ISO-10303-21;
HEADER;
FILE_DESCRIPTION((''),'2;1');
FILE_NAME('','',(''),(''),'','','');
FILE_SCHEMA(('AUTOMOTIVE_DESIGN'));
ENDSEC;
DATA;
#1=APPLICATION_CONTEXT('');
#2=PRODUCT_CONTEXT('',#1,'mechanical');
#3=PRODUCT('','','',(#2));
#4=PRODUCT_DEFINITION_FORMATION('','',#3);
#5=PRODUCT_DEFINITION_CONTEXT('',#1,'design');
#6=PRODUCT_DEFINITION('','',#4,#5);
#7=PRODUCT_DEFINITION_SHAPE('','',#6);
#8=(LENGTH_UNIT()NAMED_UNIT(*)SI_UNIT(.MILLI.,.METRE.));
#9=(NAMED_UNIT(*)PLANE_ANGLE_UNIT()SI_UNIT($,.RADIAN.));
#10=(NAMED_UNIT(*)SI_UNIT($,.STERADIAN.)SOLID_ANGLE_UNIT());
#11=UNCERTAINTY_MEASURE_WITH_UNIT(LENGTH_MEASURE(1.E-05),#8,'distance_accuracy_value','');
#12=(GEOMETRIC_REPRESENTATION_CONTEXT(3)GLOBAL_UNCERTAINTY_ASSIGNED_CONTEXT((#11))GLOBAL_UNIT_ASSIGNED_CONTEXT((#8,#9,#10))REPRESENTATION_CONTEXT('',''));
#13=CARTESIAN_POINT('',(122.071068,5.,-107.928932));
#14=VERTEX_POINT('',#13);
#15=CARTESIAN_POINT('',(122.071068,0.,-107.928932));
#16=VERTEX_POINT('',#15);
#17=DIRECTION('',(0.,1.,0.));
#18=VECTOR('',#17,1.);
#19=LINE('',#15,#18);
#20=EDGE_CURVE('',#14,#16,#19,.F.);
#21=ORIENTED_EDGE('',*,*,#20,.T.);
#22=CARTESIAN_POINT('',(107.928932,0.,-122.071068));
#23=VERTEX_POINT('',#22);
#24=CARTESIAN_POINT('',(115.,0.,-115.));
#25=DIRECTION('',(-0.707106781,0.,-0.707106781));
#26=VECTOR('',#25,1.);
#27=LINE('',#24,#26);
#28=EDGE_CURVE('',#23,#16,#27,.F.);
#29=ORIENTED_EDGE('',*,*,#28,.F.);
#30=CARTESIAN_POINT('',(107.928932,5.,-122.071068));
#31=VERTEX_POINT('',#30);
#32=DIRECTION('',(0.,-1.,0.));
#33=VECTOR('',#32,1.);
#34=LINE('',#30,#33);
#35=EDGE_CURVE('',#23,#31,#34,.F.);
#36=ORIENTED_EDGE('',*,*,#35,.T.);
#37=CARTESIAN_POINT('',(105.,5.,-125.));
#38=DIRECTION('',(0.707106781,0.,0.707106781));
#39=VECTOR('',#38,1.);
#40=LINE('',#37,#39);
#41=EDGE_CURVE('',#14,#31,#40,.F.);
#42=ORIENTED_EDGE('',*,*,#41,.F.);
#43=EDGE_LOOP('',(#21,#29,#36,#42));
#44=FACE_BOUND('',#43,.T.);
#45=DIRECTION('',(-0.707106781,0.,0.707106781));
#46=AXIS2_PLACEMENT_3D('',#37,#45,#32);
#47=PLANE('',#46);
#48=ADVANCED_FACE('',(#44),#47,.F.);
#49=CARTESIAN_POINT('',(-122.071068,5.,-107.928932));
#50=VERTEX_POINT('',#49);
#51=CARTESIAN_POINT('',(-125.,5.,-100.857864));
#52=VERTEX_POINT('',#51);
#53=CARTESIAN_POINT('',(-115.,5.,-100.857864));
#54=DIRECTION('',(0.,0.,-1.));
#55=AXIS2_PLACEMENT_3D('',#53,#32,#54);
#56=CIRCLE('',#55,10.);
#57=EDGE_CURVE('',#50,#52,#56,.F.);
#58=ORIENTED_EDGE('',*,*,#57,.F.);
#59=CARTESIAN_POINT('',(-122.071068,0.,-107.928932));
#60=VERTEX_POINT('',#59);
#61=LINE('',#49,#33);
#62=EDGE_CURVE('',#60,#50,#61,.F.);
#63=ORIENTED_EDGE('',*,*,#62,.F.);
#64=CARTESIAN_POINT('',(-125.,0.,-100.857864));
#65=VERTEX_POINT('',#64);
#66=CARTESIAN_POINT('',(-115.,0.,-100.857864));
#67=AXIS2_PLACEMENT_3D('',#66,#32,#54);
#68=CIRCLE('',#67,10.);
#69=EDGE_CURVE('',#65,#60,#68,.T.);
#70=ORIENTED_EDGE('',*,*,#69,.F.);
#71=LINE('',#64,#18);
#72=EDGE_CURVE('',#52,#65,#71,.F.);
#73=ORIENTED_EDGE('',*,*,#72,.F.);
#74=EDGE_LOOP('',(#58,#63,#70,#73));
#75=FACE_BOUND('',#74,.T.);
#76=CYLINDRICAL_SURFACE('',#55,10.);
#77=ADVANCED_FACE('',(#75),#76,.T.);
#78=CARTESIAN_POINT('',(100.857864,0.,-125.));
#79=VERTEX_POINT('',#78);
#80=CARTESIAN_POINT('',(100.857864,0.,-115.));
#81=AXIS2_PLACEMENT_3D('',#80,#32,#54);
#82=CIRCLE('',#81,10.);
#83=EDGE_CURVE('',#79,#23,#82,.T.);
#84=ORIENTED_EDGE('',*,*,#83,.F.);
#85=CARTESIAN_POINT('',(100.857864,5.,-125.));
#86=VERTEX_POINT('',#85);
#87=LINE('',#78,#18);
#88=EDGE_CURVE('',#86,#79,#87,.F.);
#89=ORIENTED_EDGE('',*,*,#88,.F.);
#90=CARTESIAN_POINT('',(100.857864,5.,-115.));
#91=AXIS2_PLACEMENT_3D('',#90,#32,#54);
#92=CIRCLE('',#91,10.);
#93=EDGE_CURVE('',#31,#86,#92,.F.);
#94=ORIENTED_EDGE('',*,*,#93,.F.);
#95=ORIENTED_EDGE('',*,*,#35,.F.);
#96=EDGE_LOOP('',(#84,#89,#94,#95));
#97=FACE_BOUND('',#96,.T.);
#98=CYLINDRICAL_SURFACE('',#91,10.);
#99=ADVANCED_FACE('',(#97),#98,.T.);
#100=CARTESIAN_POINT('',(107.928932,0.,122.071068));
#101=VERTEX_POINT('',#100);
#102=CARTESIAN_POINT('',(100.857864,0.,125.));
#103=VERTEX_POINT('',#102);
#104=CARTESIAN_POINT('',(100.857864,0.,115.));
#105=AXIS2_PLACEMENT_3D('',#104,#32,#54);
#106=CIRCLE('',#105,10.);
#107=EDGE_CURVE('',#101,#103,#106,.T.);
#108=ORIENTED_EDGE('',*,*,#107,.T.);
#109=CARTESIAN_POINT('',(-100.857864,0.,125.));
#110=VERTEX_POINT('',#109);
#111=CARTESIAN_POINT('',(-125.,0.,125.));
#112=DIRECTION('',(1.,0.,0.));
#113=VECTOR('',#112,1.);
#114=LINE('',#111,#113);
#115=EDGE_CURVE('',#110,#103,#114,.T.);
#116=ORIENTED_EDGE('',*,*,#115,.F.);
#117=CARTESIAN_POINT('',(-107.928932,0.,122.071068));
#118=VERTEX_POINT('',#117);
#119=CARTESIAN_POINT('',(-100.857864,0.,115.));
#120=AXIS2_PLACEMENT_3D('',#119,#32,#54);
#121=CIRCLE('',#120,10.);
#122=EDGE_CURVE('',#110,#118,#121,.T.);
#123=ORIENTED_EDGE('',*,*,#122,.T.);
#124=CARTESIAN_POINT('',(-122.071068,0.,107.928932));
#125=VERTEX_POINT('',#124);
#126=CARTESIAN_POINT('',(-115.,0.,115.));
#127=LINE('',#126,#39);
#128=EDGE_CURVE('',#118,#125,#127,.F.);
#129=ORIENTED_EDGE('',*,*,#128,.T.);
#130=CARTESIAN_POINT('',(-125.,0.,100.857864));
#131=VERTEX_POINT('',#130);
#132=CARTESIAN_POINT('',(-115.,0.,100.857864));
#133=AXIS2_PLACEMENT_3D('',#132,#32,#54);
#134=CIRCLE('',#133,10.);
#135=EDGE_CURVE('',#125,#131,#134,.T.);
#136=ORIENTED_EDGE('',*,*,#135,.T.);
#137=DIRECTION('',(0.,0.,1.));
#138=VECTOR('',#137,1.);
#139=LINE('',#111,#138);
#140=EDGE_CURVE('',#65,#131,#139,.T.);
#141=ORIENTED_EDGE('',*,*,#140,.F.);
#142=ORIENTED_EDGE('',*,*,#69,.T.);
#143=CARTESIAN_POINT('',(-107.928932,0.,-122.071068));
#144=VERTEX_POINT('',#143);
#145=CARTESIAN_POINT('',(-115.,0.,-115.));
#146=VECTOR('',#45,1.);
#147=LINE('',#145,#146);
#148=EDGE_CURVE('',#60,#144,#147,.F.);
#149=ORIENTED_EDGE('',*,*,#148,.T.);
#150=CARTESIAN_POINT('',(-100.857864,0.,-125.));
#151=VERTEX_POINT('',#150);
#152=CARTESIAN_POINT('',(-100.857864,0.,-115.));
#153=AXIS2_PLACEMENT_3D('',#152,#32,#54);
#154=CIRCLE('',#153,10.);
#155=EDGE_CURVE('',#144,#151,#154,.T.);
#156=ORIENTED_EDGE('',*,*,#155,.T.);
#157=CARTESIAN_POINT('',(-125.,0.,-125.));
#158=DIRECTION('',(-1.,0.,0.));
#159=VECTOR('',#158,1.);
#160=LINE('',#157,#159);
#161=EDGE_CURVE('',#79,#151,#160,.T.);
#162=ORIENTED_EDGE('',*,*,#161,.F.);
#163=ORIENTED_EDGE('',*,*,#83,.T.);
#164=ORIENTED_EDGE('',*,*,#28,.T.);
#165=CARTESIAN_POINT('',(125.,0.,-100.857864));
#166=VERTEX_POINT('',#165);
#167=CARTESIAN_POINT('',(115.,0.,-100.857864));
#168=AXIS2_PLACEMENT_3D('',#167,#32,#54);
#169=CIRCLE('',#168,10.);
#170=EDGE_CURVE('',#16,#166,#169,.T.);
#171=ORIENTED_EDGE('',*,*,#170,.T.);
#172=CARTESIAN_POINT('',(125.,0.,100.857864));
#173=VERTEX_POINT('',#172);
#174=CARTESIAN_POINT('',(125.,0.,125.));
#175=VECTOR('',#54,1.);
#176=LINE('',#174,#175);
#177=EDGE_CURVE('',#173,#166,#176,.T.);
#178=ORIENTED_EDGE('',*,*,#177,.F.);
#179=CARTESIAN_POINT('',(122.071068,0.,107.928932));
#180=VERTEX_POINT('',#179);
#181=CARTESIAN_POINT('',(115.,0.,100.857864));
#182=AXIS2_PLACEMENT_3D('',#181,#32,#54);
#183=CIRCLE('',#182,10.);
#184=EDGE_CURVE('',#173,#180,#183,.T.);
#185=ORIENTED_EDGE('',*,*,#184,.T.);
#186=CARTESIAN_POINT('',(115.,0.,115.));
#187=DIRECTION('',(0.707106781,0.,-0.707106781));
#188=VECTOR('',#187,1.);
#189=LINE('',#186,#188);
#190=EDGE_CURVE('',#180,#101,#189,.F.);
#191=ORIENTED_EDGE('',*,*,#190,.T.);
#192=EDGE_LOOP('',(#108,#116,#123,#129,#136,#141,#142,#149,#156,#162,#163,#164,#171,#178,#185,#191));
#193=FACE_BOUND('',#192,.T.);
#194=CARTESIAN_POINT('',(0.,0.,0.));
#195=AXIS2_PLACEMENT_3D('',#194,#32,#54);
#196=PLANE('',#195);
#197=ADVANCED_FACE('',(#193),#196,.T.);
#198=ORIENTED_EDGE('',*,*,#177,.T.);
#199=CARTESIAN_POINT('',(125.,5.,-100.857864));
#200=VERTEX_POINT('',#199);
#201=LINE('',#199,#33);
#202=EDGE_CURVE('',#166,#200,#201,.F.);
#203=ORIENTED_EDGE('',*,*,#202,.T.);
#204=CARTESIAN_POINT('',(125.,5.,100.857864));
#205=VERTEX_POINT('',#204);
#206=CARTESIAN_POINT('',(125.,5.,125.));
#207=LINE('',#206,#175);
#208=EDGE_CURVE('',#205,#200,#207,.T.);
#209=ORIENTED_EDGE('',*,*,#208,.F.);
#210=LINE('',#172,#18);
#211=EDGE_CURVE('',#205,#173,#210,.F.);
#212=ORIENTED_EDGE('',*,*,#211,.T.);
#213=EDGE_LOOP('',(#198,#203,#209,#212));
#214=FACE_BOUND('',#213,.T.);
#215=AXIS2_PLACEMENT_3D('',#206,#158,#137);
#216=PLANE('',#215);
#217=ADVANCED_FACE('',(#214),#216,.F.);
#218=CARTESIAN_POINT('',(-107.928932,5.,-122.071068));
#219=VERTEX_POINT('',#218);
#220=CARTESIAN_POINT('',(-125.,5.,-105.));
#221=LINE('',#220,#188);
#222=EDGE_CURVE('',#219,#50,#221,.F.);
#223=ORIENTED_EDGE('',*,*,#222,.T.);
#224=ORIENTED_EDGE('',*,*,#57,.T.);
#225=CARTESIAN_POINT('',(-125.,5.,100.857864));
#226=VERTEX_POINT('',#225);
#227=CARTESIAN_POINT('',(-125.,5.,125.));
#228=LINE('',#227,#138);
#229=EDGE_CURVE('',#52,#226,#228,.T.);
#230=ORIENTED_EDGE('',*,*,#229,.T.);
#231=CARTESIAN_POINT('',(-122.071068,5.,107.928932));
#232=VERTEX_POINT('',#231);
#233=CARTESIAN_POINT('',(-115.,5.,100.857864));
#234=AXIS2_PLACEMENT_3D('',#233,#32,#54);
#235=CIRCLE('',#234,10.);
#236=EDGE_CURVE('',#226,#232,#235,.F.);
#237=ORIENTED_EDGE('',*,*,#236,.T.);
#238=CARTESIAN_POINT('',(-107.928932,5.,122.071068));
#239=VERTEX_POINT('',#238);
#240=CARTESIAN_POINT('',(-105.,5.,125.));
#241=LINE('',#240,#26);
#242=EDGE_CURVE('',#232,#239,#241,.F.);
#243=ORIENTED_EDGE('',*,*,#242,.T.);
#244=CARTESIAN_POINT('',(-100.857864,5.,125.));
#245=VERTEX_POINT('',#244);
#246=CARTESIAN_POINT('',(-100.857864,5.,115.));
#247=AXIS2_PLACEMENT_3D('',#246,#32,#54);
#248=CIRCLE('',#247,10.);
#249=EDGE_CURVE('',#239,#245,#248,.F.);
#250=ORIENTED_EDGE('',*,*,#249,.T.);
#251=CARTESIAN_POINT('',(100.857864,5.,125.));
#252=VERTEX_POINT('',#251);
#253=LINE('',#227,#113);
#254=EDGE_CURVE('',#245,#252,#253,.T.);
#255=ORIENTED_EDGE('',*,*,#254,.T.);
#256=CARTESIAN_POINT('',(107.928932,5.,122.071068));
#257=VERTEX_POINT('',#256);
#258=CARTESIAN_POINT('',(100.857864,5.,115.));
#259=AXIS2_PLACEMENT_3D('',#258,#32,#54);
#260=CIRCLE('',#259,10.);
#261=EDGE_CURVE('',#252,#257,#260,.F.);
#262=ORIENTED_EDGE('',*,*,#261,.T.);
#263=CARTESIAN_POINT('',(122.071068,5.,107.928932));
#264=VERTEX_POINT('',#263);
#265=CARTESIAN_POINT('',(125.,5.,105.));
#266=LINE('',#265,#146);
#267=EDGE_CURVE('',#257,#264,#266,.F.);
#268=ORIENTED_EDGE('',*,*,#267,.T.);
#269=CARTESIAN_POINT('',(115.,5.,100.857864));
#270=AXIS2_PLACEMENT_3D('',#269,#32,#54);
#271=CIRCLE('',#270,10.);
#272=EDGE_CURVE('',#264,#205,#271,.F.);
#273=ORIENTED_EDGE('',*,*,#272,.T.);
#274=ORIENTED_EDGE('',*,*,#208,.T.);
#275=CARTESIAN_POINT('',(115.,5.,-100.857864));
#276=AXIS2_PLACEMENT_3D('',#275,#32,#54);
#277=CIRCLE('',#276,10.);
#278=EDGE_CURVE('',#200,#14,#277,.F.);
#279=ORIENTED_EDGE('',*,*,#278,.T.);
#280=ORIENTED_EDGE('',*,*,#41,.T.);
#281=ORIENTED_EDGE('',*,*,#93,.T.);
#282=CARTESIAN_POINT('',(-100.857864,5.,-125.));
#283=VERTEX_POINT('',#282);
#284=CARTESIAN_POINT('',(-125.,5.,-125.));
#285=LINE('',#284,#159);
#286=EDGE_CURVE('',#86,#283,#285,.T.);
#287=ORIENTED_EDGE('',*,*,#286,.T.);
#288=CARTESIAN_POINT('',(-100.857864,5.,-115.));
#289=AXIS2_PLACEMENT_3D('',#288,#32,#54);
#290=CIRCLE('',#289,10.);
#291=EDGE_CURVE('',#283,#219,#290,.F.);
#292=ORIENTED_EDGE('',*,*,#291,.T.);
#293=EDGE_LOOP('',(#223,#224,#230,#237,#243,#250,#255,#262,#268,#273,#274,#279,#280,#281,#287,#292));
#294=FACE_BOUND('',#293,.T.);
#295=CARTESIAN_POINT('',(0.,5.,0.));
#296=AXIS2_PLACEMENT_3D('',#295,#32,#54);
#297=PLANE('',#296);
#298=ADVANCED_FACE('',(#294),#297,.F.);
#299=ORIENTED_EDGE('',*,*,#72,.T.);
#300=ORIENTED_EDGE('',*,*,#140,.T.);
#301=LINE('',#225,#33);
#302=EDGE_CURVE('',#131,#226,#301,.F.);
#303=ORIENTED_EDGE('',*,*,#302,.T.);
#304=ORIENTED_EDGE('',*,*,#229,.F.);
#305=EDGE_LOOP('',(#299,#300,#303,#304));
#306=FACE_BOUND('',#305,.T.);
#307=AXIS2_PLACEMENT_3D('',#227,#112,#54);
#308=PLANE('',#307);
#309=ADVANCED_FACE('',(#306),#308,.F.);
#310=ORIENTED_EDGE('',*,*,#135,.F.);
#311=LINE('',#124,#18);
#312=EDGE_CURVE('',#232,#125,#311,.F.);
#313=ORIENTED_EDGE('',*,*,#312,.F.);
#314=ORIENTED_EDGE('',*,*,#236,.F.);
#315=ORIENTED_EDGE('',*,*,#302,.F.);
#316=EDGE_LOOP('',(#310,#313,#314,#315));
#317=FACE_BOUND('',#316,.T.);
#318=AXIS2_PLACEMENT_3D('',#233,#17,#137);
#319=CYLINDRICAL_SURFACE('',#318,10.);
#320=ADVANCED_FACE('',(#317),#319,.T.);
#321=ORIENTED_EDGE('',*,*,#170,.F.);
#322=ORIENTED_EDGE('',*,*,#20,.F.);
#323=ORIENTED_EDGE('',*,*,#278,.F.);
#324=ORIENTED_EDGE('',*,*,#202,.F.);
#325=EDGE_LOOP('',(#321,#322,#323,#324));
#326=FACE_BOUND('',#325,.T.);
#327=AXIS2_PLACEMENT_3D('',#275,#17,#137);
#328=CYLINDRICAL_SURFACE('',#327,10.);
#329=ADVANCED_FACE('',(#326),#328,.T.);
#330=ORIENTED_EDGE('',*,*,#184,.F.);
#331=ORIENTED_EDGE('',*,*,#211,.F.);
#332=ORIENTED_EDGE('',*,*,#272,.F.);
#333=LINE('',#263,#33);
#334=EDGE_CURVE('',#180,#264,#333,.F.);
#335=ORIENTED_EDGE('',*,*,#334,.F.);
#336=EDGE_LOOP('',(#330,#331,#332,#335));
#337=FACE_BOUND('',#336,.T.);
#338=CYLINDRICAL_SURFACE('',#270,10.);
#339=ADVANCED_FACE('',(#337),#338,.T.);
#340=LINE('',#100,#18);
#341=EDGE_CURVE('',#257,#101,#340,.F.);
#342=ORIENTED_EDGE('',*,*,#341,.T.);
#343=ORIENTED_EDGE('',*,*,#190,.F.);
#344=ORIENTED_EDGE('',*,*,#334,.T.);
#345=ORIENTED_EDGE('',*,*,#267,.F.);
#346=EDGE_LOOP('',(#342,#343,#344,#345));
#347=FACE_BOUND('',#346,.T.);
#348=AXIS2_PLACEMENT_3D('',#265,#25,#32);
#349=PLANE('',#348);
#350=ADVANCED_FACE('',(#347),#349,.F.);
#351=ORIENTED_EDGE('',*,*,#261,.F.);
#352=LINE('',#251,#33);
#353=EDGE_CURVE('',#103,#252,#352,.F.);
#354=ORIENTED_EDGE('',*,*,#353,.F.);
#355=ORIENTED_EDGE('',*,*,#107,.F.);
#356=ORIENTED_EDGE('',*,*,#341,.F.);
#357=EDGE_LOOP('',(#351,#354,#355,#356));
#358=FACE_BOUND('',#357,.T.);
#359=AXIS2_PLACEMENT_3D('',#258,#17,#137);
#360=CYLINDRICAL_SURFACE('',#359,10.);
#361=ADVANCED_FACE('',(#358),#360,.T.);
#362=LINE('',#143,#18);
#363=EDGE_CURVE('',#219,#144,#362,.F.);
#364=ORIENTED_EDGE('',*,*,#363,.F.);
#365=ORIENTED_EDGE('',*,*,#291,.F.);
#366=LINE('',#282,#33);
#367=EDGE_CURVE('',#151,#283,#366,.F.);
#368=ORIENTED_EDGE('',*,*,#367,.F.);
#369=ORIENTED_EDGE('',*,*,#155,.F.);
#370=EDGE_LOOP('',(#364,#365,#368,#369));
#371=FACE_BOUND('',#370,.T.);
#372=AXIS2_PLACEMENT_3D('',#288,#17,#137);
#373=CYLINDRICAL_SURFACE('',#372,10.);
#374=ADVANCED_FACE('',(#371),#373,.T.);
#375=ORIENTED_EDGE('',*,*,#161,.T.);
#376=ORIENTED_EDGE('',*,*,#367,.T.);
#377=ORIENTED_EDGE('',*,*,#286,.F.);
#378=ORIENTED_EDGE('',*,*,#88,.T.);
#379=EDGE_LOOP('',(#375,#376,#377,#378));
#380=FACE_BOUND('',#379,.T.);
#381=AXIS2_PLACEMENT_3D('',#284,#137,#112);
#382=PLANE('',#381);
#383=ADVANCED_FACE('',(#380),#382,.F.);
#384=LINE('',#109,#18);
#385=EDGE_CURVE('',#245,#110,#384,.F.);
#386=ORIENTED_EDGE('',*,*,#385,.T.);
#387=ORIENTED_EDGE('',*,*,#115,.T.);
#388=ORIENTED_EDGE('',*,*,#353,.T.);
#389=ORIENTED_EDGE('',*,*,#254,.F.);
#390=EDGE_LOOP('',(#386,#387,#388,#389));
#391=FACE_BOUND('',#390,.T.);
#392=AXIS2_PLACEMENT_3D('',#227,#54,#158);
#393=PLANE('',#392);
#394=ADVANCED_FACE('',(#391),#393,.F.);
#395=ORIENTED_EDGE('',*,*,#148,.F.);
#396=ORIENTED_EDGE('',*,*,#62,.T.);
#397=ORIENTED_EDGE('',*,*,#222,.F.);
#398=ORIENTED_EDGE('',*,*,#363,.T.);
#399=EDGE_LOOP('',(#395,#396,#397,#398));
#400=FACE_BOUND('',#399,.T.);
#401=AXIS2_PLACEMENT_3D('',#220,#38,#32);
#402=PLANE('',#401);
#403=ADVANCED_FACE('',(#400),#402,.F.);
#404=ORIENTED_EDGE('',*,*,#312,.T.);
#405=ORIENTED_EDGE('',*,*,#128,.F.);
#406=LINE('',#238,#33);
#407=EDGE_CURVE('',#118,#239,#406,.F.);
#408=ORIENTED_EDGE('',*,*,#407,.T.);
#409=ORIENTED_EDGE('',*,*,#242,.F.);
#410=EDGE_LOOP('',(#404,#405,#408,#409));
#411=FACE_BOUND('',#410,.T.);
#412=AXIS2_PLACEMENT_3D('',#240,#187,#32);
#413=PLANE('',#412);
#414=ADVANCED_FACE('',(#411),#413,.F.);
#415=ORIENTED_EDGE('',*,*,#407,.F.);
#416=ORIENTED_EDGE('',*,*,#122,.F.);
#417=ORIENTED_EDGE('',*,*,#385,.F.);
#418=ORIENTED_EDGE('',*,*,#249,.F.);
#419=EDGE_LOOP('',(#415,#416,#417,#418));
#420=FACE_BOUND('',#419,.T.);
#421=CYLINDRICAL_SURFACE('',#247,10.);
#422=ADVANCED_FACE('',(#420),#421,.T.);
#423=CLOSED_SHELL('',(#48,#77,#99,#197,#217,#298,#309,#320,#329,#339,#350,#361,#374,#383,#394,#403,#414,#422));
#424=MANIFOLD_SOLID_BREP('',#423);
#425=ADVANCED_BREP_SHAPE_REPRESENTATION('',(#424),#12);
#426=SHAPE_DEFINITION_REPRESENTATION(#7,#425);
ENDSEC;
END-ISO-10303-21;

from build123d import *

# Parameters (mm, degrees)
SKETCH1_W           = 250
SKETCH1_H           = 250
BOSS_EXTRUDE1_DEPTH = 5
CHAMFER1_SIZE       = 20
FILLET2_R           = 10


with BuildPart() as part:
    # Sketch1 → Boss-Extrude1 (new body)
    with BuildSketch(Plane(origin=(0, 0, 0), x_dir=(1, 0, 0), z_dir=(0, 1, 0))):
        Rectangle(SKETCH1_W, SKETCH1_H)
    extrude(amount=BOSS_EXTRUDE1_DEPTH)

    # Chamfer1
    chamfer1_edges = [part.edges().sort_by_distance(p)[0] for p in [
        (125, 2.5, 125),
        (-125, 2.5, 125),
        (-125, 2.5, -125),
        (125, 2.5, -125),
    ]]
    chamfer(chamfer1_edges, length=CHAMFER1_SIZE)

    # Fillet2
    fillet2_edges = [part.edges().sort_by_distance(p)[0] for p in [
        (-105, 2.5, -125),
        (105, 2.5, -125),
        (125, 2.5, 105),
        (125, 2.5, -105),
        (-105, 2.5, 125),
        (105, 2.5, 125),
        (-125, 2.5, -105),
        (-125, 2.5, 105),
    ]]
    fillet(fillet2_edges, radius=FILLET2_R)


solid = part.part
